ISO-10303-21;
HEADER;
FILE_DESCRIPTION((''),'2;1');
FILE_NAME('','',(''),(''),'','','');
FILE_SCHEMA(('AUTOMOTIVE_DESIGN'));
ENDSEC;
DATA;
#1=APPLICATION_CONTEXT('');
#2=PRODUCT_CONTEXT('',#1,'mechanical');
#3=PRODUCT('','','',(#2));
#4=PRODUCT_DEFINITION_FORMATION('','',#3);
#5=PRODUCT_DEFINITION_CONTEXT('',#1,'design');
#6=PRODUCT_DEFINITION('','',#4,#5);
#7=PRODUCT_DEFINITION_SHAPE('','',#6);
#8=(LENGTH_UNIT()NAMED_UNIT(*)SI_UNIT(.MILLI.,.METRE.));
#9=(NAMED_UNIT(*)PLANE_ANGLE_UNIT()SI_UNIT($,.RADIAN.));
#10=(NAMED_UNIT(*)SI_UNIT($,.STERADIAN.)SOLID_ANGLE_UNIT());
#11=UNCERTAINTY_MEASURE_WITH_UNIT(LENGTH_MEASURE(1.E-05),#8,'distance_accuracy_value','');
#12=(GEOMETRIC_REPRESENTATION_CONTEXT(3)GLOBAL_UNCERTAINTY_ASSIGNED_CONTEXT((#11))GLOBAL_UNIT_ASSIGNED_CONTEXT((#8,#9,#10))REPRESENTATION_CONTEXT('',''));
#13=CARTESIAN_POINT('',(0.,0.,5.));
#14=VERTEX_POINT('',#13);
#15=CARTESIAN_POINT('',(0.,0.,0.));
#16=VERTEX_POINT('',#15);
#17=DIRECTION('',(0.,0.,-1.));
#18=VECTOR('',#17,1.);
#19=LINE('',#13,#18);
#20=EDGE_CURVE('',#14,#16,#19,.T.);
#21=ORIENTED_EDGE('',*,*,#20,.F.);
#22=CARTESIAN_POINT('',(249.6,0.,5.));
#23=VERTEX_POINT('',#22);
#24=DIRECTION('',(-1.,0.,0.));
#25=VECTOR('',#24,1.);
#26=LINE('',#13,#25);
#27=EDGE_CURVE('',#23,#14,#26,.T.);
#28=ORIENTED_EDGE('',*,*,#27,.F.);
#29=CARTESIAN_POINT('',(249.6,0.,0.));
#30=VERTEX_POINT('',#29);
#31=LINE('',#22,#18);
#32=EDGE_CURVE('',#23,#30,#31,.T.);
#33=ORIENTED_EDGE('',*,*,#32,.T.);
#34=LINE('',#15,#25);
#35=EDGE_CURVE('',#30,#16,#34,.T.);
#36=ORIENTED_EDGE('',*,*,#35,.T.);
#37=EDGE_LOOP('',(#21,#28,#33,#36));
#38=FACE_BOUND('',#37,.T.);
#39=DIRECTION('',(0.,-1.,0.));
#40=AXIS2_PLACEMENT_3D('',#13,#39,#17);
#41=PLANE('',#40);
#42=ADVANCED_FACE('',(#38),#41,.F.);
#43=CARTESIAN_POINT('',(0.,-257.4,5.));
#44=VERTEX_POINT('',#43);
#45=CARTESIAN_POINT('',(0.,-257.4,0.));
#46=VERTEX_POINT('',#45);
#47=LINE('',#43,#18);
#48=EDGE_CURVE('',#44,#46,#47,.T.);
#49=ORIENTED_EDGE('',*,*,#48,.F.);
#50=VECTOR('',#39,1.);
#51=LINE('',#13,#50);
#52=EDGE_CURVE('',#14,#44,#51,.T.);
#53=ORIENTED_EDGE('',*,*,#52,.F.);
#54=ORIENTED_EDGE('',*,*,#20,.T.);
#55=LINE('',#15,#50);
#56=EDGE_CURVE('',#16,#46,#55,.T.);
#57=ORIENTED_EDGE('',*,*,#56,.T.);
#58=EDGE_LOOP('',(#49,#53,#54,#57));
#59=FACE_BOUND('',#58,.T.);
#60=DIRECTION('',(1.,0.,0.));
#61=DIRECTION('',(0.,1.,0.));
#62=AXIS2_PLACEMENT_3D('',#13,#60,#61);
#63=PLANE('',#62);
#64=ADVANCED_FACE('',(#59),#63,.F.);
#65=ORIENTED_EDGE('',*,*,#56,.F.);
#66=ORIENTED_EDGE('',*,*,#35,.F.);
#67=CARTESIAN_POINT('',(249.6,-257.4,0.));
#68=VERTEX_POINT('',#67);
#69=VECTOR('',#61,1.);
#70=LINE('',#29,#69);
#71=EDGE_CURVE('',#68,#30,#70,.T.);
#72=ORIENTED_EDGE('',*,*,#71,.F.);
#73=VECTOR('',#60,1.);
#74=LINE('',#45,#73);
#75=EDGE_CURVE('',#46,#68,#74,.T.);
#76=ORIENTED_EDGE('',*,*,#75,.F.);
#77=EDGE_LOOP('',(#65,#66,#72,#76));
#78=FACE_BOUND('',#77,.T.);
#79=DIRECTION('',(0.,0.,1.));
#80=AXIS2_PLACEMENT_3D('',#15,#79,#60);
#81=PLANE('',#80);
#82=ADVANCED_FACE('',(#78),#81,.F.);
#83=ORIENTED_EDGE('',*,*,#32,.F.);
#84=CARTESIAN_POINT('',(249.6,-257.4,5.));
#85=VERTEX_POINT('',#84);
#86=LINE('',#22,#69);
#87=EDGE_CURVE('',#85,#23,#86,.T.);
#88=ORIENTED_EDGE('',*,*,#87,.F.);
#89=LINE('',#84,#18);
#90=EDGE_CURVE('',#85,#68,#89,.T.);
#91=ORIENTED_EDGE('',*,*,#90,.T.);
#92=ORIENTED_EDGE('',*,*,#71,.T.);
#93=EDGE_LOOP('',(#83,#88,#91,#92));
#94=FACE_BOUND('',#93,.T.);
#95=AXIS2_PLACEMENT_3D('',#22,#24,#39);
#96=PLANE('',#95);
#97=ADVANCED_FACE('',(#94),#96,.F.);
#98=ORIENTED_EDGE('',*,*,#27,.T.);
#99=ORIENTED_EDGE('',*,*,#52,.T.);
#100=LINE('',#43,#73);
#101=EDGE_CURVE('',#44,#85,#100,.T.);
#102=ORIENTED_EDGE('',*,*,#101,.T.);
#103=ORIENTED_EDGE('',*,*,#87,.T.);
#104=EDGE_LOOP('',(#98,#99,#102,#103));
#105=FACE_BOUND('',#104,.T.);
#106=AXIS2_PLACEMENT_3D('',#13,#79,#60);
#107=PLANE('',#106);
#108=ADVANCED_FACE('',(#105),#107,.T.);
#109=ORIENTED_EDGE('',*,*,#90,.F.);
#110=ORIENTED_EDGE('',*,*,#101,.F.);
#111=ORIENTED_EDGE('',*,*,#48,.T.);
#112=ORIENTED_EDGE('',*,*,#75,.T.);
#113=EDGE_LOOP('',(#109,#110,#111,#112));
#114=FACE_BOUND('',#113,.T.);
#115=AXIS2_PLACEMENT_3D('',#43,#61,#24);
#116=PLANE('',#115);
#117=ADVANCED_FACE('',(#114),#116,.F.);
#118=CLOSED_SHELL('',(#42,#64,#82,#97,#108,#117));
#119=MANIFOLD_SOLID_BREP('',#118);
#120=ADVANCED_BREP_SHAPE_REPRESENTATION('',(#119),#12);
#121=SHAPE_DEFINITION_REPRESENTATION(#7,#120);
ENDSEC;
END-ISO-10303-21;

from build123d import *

# Parameters (mm, degrees)
SKETCH1_W           = 249.6
SKETCH1_H           = 257.4
BOSS_EXTRUDE1_DEPTH = 5


with BuildPart() as part:
    # Sketch1 → Boss-Extrude1 (new body)
    with BuildSketch(Plane.XY):
        with Locations((124.8, -128.7)):
            Rectangle(SKETCH1_W, SKETCH1_H)
    extrude(amount=BOSS_EXTRUDE1_DEPTH)


solid = part.part
